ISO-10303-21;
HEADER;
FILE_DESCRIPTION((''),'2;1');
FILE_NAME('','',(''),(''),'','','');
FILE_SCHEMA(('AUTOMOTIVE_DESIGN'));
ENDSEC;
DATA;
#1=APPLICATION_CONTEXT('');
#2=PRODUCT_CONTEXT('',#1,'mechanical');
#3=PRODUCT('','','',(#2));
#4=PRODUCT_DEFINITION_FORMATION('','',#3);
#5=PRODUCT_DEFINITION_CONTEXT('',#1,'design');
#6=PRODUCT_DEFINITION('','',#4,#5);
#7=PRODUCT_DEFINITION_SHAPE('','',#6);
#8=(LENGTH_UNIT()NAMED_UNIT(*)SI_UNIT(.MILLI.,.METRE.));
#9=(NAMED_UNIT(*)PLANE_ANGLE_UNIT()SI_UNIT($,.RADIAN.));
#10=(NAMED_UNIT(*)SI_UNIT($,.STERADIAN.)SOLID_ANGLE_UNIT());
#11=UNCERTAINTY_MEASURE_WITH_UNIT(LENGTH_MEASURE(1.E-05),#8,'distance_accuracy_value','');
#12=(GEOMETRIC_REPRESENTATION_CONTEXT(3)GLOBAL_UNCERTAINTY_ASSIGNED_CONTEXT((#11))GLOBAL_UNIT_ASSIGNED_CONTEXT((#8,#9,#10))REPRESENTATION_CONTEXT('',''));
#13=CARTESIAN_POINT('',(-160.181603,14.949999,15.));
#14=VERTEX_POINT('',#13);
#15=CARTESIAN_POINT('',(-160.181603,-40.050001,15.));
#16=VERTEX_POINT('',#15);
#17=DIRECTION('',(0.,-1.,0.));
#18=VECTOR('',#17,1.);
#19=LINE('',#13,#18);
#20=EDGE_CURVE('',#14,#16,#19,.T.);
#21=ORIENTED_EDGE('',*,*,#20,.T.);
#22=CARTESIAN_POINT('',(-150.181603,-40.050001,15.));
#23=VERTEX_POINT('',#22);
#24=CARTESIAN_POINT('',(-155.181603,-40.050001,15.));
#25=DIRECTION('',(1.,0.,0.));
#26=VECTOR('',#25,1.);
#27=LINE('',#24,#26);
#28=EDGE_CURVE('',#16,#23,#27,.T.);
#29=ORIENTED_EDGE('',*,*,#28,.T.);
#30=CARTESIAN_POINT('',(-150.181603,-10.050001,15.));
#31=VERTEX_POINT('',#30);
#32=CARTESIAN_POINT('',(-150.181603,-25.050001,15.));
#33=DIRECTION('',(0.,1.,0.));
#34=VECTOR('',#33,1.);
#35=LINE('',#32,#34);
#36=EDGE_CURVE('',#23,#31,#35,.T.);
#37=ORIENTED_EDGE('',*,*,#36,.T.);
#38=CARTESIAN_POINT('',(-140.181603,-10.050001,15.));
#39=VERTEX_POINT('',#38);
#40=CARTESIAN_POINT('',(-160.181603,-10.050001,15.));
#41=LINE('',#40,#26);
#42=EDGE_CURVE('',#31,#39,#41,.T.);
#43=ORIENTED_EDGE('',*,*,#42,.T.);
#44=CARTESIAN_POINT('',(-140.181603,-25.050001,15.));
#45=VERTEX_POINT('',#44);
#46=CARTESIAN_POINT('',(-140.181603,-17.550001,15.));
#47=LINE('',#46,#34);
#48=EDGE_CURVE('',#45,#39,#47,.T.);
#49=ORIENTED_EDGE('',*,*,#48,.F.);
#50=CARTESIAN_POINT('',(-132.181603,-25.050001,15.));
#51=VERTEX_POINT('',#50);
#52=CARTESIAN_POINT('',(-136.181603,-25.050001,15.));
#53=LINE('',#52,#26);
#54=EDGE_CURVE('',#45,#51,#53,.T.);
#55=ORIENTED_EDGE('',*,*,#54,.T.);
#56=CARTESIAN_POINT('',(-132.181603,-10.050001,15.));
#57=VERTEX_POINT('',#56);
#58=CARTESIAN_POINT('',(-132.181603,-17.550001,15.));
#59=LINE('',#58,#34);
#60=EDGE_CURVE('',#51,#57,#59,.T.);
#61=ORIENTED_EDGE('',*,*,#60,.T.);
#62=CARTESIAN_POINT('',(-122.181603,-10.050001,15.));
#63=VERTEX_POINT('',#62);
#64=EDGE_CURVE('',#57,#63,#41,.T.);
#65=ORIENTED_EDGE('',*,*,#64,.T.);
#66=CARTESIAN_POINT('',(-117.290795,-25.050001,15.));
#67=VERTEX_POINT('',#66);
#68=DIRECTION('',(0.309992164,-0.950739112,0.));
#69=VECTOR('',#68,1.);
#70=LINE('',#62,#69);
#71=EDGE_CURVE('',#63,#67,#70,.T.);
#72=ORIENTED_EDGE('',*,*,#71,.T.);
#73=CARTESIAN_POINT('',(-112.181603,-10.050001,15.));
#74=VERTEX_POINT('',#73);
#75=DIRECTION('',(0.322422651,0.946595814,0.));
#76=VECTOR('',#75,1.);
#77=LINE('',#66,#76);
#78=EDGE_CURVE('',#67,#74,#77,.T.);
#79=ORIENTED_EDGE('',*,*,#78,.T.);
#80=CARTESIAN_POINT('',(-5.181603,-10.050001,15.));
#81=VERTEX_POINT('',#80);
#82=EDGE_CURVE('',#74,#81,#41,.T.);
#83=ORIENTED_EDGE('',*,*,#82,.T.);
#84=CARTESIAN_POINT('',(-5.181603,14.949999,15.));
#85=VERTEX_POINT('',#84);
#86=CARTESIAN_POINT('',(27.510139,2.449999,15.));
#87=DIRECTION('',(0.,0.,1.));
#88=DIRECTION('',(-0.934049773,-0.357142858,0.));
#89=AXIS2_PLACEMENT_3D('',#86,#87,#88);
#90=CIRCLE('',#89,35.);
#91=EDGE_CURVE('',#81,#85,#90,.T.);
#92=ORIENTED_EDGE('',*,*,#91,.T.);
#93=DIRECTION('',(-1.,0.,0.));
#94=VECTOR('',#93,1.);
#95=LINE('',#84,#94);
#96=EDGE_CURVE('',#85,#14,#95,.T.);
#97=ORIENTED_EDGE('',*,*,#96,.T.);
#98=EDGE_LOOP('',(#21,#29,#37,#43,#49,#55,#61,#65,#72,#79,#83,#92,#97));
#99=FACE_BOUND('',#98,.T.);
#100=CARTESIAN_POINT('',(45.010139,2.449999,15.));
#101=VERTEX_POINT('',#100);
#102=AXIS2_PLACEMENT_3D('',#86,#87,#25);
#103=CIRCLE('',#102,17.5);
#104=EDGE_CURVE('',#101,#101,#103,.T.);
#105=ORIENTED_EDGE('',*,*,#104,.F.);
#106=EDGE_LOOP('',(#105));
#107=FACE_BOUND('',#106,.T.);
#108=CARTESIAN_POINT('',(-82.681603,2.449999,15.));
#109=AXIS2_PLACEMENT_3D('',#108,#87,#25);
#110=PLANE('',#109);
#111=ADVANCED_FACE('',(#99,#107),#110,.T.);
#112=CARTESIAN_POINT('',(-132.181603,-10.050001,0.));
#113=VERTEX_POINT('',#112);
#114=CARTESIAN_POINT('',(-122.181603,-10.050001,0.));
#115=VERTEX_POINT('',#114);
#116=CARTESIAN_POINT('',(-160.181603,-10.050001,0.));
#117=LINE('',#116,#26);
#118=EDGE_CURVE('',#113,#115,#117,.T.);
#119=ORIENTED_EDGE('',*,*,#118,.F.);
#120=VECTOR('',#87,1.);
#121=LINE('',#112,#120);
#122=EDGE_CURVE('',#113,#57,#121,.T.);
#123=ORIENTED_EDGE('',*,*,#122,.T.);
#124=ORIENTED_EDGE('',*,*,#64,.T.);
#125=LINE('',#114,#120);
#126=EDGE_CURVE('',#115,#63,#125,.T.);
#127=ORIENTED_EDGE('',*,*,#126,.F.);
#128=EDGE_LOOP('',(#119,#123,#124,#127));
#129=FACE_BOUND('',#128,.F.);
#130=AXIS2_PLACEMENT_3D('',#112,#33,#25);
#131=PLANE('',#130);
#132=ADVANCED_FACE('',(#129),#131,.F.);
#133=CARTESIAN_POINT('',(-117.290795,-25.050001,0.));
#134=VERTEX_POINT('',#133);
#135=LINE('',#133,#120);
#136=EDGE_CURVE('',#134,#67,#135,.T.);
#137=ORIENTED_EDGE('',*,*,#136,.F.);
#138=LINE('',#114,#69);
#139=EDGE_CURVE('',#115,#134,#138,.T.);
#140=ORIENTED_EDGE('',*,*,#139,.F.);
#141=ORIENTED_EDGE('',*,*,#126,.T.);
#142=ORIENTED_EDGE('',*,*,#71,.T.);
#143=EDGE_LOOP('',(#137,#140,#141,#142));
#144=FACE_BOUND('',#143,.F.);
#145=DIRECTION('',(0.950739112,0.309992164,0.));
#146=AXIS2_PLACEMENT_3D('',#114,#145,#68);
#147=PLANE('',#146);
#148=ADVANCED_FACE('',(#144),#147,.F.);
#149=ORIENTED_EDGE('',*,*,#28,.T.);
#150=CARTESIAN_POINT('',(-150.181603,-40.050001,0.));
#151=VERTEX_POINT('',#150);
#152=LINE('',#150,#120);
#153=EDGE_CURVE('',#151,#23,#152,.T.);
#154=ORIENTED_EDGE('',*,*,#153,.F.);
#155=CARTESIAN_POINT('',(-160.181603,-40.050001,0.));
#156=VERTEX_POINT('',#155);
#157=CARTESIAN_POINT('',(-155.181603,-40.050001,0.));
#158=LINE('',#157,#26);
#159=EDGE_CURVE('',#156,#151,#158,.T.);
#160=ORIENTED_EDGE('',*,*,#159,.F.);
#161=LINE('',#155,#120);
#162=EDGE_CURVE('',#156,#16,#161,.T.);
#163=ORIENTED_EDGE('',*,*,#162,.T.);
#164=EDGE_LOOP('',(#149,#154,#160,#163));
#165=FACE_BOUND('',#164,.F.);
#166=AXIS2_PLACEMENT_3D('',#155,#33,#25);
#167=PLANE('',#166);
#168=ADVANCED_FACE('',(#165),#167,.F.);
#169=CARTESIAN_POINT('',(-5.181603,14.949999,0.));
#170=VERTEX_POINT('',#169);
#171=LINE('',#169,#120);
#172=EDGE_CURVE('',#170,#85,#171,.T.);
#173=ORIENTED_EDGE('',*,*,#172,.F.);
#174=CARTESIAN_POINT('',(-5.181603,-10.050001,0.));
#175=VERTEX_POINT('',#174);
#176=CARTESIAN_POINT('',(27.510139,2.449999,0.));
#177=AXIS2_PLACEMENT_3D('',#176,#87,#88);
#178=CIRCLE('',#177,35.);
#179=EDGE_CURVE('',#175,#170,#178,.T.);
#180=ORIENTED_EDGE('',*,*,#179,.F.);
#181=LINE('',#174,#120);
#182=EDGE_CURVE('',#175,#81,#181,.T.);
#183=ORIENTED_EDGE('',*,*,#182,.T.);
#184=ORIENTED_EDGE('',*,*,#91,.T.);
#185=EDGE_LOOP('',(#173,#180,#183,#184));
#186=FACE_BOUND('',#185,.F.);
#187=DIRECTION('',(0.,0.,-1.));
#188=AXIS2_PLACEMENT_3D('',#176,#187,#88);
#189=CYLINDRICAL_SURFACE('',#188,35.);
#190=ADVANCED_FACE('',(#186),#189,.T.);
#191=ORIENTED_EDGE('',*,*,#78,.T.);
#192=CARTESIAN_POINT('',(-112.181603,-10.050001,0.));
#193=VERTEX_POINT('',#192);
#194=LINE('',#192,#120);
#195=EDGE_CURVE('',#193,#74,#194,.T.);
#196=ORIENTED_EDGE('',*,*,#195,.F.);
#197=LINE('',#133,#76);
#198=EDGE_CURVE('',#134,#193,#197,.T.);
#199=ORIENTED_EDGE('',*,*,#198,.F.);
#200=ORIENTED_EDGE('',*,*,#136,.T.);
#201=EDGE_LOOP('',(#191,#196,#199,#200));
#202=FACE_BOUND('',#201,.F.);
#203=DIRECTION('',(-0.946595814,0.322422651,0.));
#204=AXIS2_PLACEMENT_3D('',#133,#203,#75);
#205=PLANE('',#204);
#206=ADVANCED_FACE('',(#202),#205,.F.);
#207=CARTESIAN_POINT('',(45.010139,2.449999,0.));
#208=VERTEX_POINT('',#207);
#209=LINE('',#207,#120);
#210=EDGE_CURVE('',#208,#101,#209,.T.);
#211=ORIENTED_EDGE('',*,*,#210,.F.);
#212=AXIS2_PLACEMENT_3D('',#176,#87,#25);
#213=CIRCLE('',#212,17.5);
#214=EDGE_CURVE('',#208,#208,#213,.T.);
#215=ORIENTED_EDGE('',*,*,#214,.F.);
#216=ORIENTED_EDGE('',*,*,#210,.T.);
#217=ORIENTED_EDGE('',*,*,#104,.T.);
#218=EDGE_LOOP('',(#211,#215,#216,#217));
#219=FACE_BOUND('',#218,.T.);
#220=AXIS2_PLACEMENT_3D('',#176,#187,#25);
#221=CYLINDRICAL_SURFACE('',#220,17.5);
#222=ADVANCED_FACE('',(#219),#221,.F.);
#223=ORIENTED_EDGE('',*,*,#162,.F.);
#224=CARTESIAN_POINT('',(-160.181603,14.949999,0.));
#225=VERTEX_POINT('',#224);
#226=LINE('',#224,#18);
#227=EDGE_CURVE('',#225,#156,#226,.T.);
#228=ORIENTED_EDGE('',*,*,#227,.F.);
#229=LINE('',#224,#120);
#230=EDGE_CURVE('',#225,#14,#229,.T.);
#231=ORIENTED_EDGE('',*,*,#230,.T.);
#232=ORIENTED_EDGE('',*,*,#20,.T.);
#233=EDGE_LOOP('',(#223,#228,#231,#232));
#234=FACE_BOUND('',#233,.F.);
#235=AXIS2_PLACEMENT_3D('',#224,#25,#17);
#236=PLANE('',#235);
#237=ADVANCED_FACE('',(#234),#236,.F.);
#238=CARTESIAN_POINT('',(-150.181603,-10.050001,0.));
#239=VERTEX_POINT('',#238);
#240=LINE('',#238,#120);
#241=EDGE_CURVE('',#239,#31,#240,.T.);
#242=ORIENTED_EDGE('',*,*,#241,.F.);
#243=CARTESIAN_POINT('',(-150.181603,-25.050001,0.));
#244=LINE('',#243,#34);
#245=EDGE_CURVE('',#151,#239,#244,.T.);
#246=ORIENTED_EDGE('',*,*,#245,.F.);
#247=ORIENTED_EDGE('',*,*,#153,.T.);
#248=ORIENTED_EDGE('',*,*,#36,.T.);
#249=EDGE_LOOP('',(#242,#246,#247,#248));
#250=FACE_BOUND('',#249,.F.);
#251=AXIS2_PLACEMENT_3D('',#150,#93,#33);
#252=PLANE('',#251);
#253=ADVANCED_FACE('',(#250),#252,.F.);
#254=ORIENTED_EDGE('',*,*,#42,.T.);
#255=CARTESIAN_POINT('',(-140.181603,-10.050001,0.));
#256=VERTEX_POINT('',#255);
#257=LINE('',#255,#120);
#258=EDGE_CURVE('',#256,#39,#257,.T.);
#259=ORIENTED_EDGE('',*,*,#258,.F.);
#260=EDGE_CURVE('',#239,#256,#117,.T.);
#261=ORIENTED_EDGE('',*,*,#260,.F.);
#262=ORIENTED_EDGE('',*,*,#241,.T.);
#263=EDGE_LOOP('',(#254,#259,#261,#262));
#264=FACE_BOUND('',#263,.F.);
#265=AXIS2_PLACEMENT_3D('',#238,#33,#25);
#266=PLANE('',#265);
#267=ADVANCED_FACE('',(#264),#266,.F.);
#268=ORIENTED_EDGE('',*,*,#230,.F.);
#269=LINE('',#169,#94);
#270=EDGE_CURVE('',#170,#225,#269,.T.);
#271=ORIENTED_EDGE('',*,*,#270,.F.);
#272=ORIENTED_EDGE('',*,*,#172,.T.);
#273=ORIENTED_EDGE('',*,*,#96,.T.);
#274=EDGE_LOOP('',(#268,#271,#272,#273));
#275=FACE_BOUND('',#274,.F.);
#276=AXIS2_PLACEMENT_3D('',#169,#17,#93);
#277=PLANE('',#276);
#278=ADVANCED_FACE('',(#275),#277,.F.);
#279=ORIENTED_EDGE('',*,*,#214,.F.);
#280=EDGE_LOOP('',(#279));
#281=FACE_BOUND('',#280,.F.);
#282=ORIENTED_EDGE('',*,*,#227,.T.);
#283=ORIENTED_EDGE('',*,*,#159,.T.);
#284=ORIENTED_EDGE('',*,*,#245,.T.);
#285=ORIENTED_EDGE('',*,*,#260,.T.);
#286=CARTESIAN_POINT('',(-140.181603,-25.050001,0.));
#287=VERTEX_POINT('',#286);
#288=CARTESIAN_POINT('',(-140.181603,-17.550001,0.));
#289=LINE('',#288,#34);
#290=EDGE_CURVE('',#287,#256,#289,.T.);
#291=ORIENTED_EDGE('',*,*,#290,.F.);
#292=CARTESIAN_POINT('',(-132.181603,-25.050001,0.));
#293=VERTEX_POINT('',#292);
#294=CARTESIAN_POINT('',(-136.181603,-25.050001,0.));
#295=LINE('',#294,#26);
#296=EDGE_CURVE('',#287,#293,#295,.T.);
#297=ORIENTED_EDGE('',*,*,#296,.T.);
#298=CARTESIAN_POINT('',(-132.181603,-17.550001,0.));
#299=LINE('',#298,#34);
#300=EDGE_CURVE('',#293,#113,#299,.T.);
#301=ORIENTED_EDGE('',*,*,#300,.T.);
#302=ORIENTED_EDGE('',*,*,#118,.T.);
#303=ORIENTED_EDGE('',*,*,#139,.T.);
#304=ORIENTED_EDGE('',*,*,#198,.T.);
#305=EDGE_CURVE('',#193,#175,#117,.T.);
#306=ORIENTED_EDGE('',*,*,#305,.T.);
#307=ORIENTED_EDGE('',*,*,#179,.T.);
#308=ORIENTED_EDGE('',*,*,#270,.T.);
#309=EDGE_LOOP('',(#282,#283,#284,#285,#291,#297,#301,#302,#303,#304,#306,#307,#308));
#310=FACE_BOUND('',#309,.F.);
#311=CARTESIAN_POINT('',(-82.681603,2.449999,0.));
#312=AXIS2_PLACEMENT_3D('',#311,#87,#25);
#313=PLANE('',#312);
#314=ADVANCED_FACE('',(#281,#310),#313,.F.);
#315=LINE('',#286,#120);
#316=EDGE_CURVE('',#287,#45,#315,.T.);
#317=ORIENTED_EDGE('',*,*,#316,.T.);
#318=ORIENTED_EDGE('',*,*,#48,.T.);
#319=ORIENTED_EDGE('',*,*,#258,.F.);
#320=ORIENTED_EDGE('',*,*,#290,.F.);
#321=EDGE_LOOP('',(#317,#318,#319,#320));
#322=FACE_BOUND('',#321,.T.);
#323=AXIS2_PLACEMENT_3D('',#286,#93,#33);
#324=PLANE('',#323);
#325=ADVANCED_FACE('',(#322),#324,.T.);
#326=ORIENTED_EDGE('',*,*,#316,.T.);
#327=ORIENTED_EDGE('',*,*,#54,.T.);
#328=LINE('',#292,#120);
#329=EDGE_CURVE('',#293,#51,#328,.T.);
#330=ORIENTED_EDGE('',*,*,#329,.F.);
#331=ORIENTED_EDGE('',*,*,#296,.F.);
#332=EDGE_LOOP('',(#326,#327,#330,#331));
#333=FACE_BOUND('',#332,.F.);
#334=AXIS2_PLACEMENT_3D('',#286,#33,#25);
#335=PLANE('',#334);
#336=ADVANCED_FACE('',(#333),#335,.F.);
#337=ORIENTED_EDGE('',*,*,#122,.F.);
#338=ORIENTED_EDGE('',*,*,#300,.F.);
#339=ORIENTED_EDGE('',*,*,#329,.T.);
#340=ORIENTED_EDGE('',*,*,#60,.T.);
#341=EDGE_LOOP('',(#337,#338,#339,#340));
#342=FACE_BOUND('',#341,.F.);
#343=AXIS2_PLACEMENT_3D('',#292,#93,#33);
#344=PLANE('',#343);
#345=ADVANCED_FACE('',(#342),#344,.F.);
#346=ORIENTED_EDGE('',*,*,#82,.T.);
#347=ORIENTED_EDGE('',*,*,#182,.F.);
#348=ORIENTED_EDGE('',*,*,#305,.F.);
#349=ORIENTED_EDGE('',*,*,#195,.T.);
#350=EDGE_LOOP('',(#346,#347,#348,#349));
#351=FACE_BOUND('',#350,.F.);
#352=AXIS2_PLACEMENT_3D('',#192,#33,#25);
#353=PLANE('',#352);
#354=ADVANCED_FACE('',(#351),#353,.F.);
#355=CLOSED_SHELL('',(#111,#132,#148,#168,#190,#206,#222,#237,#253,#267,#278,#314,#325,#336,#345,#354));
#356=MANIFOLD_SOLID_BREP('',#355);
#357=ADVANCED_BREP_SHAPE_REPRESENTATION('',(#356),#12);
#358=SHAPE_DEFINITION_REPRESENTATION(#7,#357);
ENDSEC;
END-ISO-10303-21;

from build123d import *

# Parameters (mm, degrees)
F0_W     = 10
F0_H     = 30
F0_W_2   = 8
F0_H_2   = 15
F0_R     = 17.5
F1_DEPTH = 15


with BuildPart() as f1:
    # F0 (on Top) → F1 (new body)
    with BuildSketch(Plane.XY):
        Polygon((-5.181603, 14.949999), (-160.181603, 14.949999), (-160.181603, -10.050001), (-150.181603, -10.050001), (-140.181603, -10.050001), (-132.181603, -10.050001), (-122.181603, -10.050001), (-112.181603, -10.050001), (-5.181603, -10.050001), align=None)
        with Locations((-155.181603, -25.050001)):
            Rectangle(F0_W, F0_H)
        with Locations((-136.181603, -17.550001)):
            Rectangle(F0_W_2, F0_H_2)
        Polygon((-117.290795, -25.050001), (-112.181603, -10.050001), (-122.181603, -10.050001), align=None)
        with BuildLine():
            ThreePointArc((-5.181603, -10.050001), (62.510139, 2.449999), (-5.181603, 14.949999))
            Line((-5.181603, 14.949999), (-5.181603, -10.050001))
        make_face()
        with Locations((27.510139, 2.449999)):
            Circle(F0_R, mode=Mode.SUBTRACT)
    extrude(amount=F1_DEPTH)


solid = f1.part
